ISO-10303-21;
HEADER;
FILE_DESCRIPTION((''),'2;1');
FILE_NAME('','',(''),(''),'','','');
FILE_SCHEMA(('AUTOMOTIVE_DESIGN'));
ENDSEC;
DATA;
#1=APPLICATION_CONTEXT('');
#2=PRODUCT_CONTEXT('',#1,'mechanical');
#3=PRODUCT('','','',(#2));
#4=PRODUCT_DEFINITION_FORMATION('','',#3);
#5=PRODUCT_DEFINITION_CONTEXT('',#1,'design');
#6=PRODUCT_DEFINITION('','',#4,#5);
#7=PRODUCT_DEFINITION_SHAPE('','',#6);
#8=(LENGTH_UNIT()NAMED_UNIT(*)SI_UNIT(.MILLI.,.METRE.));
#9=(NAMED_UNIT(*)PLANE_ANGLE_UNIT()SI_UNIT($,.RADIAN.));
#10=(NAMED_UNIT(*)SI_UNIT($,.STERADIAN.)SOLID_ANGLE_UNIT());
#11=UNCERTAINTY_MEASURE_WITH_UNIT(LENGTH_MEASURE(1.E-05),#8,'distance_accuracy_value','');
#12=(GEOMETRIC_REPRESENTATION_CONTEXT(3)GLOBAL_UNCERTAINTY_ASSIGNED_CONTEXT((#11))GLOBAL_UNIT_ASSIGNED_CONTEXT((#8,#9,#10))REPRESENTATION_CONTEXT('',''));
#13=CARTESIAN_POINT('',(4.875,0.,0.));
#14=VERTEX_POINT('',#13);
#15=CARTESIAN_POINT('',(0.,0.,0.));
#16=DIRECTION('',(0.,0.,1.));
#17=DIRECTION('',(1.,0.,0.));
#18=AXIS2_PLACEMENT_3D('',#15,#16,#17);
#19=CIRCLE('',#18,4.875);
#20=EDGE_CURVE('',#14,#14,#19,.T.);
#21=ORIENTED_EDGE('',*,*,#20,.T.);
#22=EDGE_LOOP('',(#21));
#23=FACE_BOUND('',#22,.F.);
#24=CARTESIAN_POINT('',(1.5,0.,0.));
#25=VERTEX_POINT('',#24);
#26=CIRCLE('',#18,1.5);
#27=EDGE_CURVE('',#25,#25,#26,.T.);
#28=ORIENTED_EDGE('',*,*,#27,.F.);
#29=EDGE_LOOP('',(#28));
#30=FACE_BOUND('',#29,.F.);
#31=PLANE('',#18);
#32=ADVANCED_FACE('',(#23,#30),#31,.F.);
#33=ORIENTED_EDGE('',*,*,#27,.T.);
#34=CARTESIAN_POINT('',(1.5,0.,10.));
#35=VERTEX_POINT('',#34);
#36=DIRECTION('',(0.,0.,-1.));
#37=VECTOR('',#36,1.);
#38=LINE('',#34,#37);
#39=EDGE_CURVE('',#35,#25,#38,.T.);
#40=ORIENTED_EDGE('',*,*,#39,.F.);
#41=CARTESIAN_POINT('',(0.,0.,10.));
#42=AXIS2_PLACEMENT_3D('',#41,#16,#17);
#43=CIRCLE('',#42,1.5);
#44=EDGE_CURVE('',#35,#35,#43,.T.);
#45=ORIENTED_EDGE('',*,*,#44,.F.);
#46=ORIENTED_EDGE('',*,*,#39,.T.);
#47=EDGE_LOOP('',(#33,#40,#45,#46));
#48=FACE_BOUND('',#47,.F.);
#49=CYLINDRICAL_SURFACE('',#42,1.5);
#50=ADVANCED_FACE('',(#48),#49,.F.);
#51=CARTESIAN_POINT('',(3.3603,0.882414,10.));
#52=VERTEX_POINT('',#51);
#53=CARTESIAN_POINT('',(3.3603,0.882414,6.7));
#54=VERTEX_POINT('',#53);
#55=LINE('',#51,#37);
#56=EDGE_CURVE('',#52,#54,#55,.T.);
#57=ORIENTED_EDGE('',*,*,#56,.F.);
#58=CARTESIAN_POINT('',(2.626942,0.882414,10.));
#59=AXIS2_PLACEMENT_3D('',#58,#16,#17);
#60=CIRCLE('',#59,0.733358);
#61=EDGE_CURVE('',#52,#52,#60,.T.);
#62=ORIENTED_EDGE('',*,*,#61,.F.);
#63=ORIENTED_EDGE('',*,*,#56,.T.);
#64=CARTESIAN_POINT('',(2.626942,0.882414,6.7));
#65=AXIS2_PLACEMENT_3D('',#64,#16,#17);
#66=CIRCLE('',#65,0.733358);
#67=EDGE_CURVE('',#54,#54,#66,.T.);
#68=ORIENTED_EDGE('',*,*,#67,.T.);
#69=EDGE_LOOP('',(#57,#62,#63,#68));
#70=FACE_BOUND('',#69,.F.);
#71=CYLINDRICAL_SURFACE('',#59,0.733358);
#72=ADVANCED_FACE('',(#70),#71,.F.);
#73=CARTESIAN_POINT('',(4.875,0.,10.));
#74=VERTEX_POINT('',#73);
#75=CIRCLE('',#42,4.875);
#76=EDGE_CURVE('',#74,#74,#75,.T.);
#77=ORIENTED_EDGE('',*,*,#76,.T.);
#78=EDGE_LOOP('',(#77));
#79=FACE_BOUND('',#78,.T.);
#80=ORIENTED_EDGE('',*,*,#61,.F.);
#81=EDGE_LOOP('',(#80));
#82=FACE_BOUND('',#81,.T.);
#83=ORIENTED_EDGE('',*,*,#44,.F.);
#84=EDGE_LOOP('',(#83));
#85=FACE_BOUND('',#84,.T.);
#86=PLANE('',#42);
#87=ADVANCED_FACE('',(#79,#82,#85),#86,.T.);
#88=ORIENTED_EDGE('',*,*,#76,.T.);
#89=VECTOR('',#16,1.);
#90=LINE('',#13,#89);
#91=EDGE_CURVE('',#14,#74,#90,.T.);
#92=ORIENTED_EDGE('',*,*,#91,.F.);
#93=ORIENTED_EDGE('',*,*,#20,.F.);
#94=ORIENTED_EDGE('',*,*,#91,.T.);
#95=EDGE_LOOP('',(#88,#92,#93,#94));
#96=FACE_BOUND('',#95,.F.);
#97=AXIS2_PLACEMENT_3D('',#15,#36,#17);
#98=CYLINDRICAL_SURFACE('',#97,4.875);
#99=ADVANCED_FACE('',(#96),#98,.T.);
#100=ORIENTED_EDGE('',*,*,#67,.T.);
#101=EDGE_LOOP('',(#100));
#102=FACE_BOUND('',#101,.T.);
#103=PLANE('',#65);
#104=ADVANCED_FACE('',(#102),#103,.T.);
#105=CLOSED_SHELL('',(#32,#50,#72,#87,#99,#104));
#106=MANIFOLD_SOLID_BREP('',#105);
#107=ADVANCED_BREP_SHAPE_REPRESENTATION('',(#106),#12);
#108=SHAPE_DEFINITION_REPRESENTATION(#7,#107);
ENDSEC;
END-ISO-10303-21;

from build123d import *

# Parameters (mm, degrees)
F0_R     = 4.875
F1_DEPTH = 10
F2_R     = 1.5
F3_DEPTH = 10
F4_R     = 0.733358
F5_DEPTH = 3.3


with BuildPart() as f1:
    # F0 (on Top) → F1 (new body)
    with BuildSketch(Plane.XY):
        Circle(F0_R)
    extrude(amount=F1_DEPTH)

    # F2 (on face) → F3 (cut)
    with BuildSketch(Plane.XY.offset(10)):
        Circle(F2_R)
    extrude(amount=-F3_DEPTH, mode=Mode.SUBTRACT)

    # F4 (on face) → F5 (cut)
    with BuildSketch(Plane.XY.offset(10)):
        with Locations((2.626942, 0.882414)):
            Circle(F4_R)
    extrude(amount=-F5_DEPTH, mode=Mode.SUBTRACT)


solid = f1.part
